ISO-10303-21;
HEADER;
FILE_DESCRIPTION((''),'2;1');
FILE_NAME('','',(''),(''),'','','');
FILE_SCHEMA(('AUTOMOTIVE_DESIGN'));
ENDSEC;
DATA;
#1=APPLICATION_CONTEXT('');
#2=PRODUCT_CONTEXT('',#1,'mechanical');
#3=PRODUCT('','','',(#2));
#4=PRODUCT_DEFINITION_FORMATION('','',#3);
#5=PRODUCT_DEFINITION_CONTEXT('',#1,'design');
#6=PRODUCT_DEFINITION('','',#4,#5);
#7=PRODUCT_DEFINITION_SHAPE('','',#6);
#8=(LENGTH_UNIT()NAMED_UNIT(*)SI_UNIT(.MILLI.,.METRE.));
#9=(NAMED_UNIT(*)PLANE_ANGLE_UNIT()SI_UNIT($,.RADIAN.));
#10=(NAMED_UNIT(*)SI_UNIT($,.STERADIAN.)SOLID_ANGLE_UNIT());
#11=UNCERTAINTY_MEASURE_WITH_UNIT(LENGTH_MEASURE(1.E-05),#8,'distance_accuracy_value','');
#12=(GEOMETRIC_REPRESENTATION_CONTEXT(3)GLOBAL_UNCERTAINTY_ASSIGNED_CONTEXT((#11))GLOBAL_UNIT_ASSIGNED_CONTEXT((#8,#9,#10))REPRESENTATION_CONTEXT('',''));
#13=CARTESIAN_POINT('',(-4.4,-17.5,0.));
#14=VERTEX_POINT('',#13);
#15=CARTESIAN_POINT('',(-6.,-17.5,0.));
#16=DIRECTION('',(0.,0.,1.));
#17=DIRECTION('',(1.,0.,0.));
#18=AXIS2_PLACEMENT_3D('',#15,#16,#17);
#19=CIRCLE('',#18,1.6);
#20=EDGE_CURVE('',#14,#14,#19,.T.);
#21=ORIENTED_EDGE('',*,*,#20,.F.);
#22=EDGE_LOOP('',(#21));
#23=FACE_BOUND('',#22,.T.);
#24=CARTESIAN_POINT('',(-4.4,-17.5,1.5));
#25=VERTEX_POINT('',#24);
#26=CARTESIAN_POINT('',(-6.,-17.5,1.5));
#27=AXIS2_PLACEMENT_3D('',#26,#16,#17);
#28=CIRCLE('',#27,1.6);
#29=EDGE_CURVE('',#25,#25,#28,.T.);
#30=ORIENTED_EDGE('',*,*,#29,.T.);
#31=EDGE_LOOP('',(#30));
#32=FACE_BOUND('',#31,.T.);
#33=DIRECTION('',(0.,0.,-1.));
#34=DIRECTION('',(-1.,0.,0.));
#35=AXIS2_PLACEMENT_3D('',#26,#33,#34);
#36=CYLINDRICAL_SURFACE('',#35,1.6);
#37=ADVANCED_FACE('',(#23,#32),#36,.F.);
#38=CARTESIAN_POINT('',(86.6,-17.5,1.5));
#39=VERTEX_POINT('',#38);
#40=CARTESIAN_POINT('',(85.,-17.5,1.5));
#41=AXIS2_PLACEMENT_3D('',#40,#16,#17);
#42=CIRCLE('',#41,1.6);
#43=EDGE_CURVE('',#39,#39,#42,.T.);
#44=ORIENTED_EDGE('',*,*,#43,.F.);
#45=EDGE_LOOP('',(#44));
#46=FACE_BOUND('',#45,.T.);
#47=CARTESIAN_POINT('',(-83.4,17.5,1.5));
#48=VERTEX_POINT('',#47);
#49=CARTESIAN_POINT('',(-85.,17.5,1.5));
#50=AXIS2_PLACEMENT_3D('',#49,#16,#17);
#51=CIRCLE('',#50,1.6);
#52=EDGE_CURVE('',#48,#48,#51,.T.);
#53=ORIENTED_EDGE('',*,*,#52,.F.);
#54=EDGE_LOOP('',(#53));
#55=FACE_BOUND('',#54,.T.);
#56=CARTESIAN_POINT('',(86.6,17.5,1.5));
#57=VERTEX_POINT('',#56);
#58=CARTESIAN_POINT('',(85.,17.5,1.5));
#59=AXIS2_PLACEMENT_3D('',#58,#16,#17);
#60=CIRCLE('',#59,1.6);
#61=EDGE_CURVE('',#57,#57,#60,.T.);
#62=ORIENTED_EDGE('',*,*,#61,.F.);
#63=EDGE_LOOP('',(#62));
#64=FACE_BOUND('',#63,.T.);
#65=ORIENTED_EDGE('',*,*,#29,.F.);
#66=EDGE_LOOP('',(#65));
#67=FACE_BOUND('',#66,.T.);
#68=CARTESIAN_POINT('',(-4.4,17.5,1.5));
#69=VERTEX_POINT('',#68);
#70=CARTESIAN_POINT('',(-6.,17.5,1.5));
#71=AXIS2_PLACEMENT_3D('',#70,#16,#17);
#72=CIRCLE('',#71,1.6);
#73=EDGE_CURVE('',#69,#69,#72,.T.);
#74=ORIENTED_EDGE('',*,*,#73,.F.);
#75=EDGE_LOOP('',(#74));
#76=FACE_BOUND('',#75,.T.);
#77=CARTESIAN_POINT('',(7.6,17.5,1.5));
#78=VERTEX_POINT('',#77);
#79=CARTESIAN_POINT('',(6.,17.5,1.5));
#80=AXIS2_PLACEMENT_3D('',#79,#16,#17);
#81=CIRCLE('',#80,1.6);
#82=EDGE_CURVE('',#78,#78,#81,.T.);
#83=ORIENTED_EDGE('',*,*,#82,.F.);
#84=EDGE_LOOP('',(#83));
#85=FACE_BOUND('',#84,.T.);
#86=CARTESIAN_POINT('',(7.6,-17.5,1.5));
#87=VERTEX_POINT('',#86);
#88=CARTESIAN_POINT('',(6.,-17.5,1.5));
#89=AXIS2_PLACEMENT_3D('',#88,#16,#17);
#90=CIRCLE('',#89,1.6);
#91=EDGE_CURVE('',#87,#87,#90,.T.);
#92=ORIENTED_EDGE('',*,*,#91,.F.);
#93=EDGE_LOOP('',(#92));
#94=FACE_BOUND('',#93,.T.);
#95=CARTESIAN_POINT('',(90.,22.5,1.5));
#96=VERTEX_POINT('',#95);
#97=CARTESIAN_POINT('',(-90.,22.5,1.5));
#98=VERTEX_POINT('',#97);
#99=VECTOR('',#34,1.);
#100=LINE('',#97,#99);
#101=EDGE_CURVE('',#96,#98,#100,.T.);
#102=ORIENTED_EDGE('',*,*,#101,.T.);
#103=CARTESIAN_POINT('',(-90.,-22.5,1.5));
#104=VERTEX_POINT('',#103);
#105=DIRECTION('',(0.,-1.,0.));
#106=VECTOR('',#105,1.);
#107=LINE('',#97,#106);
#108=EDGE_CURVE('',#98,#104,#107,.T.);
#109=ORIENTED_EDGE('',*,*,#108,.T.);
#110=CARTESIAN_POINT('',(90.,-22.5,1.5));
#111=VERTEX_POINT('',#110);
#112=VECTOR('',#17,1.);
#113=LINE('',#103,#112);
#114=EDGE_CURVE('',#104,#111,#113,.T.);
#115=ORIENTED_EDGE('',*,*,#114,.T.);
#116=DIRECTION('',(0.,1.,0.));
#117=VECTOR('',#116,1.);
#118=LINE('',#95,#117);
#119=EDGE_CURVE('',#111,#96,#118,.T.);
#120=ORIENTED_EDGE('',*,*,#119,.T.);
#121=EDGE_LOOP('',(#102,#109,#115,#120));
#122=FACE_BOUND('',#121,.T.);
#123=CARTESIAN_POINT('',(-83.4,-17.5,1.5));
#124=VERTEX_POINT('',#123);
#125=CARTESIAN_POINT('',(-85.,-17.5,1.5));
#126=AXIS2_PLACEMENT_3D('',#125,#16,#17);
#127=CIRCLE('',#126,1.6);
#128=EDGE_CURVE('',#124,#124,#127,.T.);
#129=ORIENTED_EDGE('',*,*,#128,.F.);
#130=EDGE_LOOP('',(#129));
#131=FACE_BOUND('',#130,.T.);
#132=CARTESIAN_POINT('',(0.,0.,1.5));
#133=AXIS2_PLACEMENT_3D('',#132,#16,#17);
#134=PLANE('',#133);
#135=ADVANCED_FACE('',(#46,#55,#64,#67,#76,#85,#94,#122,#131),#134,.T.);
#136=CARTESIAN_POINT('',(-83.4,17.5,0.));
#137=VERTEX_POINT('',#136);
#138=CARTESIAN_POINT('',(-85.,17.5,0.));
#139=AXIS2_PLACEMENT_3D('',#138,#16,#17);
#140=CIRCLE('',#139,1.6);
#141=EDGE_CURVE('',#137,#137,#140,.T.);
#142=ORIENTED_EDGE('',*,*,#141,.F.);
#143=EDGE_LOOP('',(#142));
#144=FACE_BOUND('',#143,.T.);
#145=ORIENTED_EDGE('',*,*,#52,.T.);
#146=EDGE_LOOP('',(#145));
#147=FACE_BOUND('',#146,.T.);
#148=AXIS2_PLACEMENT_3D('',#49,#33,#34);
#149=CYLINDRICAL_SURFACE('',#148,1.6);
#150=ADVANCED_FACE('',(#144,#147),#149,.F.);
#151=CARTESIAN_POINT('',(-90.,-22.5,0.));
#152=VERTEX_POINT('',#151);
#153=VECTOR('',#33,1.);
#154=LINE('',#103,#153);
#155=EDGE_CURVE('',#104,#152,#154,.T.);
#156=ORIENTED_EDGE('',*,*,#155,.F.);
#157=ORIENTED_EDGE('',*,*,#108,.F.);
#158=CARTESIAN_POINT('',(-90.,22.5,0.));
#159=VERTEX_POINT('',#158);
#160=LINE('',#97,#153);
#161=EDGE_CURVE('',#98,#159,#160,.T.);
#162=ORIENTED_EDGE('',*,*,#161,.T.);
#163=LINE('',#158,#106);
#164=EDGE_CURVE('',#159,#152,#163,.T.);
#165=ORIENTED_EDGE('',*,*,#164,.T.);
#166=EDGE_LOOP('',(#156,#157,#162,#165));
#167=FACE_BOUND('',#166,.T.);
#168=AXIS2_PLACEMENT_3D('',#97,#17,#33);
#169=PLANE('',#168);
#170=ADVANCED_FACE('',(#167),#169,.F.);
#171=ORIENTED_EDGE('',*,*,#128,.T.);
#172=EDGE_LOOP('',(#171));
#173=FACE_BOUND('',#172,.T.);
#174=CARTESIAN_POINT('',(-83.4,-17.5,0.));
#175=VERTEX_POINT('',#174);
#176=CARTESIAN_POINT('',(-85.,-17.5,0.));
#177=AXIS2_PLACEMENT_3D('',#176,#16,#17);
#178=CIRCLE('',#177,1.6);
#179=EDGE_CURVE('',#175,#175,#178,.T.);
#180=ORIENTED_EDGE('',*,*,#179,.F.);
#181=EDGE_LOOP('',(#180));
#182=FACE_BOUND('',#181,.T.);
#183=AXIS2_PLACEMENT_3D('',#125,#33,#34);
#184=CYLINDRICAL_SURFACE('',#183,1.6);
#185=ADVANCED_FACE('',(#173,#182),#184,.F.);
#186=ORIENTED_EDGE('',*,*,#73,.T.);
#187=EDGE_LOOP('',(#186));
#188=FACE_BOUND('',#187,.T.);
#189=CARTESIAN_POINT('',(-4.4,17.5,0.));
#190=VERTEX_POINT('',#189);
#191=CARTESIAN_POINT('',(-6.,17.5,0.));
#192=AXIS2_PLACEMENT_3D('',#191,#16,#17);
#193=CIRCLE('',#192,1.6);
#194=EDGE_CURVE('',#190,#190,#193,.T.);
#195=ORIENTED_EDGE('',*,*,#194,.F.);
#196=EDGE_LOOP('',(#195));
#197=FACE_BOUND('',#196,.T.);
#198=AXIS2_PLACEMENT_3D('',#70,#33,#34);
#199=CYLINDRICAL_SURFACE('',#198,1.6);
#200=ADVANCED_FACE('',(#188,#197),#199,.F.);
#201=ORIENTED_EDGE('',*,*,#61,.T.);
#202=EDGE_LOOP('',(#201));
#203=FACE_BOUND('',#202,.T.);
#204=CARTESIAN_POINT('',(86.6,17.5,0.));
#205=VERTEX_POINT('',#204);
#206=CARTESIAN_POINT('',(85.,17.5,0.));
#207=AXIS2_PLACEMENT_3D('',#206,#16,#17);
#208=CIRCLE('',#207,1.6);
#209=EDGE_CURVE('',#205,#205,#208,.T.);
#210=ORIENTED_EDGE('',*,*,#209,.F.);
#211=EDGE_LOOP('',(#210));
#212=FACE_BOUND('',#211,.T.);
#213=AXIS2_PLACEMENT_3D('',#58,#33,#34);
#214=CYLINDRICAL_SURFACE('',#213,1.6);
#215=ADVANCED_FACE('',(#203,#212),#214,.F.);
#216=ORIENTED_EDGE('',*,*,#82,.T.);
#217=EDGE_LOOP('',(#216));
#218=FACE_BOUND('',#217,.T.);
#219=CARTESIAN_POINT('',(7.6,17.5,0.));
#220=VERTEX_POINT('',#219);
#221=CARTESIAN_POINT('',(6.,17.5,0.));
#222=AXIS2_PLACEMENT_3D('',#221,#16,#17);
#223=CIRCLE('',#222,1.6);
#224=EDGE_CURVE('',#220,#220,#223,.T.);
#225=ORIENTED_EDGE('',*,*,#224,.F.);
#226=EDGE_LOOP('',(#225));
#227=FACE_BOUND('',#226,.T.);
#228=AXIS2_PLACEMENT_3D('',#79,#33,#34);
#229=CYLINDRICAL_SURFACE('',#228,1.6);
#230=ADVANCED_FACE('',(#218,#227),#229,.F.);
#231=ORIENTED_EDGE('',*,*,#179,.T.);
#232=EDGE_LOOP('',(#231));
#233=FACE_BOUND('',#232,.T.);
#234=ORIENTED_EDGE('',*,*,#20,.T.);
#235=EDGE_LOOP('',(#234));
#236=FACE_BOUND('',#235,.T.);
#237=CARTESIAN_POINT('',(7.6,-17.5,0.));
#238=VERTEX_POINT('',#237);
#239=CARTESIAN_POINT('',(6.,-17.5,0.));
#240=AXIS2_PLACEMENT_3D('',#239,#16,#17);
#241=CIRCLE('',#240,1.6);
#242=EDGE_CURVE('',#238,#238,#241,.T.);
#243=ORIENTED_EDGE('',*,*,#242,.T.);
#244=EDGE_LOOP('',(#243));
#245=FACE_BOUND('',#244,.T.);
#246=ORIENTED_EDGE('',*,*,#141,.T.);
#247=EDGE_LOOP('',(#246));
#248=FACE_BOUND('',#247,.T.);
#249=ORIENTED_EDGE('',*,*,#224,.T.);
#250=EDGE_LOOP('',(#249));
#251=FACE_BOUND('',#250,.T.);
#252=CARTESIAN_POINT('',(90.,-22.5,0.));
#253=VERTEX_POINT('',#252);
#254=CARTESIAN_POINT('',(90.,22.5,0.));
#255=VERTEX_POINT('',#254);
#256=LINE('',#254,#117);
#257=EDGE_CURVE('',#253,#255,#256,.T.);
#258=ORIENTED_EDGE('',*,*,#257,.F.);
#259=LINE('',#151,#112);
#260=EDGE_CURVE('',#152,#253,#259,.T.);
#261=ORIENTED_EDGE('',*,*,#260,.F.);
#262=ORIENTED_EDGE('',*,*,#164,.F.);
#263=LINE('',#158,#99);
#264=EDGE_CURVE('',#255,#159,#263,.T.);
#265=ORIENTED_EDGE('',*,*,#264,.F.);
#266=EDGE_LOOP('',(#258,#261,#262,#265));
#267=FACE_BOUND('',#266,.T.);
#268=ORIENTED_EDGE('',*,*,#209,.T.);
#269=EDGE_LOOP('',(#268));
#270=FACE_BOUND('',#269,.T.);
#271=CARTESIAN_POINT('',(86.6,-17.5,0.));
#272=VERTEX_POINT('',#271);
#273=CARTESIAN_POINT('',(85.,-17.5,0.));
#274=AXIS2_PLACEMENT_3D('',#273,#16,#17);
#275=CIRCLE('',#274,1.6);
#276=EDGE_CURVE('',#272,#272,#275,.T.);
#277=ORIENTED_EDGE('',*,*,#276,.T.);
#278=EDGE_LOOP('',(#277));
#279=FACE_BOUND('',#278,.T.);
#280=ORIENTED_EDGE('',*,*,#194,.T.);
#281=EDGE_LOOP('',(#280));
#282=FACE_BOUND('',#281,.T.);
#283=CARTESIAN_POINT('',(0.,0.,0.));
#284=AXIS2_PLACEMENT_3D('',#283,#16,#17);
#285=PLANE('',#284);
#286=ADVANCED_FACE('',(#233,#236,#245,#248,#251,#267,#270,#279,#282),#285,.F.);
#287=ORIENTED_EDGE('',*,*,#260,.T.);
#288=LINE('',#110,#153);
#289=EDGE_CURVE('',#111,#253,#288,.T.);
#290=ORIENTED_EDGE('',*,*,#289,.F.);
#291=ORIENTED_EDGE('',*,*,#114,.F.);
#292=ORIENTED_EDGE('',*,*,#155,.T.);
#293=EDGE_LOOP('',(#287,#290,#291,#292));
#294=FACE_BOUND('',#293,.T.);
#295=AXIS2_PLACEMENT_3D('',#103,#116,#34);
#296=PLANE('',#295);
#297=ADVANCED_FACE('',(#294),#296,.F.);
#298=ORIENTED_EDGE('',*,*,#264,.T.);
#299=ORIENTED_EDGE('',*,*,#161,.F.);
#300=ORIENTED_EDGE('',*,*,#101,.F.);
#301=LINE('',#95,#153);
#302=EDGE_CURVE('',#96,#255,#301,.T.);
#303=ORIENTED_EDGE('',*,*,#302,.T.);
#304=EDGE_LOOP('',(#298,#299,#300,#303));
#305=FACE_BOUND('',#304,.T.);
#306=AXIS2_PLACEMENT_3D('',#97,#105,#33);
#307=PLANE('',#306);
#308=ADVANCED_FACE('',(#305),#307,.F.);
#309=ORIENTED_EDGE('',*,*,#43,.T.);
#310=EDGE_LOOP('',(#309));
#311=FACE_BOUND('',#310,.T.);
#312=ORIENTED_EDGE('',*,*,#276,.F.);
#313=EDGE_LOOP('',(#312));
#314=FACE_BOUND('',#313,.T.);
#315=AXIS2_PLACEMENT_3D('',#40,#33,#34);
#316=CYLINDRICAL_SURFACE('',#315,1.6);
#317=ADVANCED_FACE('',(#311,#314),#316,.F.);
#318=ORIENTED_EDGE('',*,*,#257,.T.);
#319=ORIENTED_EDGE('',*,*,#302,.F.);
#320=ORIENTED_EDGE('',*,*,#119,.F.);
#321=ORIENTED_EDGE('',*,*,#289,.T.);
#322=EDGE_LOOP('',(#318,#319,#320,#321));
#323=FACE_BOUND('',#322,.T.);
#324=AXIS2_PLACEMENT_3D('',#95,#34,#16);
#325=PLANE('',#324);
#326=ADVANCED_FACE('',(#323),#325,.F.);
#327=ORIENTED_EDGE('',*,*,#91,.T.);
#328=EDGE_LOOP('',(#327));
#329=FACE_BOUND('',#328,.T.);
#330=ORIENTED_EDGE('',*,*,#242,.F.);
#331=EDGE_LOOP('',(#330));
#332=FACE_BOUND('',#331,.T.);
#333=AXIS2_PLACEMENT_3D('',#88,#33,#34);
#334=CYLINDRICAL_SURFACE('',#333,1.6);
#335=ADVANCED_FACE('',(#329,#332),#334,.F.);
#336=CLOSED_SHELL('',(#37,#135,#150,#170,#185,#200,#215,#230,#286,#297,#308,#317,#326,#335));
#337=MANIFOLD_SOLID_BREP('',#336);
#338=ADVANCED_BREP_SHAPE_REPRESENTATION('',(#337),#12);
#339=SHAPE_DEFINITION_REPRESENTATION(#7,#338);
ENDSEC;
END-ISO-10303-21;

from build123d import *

# Parameters (mm, degrees)
ESQUISSE1_W = 180
ESQUISSE1_H = 45
ESQUISSE1_R = 1.6
MAIN_DEPTH  = 1.5


with BuildPart() as part:
    # Esquisse1 → Main (new body)
    with BuildSketch(Plane.XY):
        Rectangle(ESQUISSE1_W, ESQUISSE1_H)
        with Locations((-85, 17.5)):
            Circle(ESQUISSE1_R, mode=Mode.SUBTRACT)
        with Locations((-85, -17.5)):
            Circle(ESQUISSE1_R, mode=Mode.SUBTRACT)
        with Locations((85, -17.5)):
            Circle(ESQUISSE1_R, mode=Mode.SUBTRACT)
        with Locations((85, 17.5)):
            Circle(ESQUISSE1_R, mode=Mode.SUBTRACT)
        with Locations((-6, 17.5)):
            Circle(ESQUISSE1_R, mode=Mode.SUBTRACT)
        with Locations((-6, -17.5)):
            Circle(ESQUISSE1_R, mode=Mode.SUBTRACT)
        with Locations((6, -17.5)):
            Circle(ESQUISSE1_R, mode=Mode.SUBTRACT)
        with Locations((6, 17.5)):
            Circle(ESQUISSE1_R, mode=Mode.SUBTRACT)
    extrude(amount=MAIN_DEPTH)


solid = part.part
